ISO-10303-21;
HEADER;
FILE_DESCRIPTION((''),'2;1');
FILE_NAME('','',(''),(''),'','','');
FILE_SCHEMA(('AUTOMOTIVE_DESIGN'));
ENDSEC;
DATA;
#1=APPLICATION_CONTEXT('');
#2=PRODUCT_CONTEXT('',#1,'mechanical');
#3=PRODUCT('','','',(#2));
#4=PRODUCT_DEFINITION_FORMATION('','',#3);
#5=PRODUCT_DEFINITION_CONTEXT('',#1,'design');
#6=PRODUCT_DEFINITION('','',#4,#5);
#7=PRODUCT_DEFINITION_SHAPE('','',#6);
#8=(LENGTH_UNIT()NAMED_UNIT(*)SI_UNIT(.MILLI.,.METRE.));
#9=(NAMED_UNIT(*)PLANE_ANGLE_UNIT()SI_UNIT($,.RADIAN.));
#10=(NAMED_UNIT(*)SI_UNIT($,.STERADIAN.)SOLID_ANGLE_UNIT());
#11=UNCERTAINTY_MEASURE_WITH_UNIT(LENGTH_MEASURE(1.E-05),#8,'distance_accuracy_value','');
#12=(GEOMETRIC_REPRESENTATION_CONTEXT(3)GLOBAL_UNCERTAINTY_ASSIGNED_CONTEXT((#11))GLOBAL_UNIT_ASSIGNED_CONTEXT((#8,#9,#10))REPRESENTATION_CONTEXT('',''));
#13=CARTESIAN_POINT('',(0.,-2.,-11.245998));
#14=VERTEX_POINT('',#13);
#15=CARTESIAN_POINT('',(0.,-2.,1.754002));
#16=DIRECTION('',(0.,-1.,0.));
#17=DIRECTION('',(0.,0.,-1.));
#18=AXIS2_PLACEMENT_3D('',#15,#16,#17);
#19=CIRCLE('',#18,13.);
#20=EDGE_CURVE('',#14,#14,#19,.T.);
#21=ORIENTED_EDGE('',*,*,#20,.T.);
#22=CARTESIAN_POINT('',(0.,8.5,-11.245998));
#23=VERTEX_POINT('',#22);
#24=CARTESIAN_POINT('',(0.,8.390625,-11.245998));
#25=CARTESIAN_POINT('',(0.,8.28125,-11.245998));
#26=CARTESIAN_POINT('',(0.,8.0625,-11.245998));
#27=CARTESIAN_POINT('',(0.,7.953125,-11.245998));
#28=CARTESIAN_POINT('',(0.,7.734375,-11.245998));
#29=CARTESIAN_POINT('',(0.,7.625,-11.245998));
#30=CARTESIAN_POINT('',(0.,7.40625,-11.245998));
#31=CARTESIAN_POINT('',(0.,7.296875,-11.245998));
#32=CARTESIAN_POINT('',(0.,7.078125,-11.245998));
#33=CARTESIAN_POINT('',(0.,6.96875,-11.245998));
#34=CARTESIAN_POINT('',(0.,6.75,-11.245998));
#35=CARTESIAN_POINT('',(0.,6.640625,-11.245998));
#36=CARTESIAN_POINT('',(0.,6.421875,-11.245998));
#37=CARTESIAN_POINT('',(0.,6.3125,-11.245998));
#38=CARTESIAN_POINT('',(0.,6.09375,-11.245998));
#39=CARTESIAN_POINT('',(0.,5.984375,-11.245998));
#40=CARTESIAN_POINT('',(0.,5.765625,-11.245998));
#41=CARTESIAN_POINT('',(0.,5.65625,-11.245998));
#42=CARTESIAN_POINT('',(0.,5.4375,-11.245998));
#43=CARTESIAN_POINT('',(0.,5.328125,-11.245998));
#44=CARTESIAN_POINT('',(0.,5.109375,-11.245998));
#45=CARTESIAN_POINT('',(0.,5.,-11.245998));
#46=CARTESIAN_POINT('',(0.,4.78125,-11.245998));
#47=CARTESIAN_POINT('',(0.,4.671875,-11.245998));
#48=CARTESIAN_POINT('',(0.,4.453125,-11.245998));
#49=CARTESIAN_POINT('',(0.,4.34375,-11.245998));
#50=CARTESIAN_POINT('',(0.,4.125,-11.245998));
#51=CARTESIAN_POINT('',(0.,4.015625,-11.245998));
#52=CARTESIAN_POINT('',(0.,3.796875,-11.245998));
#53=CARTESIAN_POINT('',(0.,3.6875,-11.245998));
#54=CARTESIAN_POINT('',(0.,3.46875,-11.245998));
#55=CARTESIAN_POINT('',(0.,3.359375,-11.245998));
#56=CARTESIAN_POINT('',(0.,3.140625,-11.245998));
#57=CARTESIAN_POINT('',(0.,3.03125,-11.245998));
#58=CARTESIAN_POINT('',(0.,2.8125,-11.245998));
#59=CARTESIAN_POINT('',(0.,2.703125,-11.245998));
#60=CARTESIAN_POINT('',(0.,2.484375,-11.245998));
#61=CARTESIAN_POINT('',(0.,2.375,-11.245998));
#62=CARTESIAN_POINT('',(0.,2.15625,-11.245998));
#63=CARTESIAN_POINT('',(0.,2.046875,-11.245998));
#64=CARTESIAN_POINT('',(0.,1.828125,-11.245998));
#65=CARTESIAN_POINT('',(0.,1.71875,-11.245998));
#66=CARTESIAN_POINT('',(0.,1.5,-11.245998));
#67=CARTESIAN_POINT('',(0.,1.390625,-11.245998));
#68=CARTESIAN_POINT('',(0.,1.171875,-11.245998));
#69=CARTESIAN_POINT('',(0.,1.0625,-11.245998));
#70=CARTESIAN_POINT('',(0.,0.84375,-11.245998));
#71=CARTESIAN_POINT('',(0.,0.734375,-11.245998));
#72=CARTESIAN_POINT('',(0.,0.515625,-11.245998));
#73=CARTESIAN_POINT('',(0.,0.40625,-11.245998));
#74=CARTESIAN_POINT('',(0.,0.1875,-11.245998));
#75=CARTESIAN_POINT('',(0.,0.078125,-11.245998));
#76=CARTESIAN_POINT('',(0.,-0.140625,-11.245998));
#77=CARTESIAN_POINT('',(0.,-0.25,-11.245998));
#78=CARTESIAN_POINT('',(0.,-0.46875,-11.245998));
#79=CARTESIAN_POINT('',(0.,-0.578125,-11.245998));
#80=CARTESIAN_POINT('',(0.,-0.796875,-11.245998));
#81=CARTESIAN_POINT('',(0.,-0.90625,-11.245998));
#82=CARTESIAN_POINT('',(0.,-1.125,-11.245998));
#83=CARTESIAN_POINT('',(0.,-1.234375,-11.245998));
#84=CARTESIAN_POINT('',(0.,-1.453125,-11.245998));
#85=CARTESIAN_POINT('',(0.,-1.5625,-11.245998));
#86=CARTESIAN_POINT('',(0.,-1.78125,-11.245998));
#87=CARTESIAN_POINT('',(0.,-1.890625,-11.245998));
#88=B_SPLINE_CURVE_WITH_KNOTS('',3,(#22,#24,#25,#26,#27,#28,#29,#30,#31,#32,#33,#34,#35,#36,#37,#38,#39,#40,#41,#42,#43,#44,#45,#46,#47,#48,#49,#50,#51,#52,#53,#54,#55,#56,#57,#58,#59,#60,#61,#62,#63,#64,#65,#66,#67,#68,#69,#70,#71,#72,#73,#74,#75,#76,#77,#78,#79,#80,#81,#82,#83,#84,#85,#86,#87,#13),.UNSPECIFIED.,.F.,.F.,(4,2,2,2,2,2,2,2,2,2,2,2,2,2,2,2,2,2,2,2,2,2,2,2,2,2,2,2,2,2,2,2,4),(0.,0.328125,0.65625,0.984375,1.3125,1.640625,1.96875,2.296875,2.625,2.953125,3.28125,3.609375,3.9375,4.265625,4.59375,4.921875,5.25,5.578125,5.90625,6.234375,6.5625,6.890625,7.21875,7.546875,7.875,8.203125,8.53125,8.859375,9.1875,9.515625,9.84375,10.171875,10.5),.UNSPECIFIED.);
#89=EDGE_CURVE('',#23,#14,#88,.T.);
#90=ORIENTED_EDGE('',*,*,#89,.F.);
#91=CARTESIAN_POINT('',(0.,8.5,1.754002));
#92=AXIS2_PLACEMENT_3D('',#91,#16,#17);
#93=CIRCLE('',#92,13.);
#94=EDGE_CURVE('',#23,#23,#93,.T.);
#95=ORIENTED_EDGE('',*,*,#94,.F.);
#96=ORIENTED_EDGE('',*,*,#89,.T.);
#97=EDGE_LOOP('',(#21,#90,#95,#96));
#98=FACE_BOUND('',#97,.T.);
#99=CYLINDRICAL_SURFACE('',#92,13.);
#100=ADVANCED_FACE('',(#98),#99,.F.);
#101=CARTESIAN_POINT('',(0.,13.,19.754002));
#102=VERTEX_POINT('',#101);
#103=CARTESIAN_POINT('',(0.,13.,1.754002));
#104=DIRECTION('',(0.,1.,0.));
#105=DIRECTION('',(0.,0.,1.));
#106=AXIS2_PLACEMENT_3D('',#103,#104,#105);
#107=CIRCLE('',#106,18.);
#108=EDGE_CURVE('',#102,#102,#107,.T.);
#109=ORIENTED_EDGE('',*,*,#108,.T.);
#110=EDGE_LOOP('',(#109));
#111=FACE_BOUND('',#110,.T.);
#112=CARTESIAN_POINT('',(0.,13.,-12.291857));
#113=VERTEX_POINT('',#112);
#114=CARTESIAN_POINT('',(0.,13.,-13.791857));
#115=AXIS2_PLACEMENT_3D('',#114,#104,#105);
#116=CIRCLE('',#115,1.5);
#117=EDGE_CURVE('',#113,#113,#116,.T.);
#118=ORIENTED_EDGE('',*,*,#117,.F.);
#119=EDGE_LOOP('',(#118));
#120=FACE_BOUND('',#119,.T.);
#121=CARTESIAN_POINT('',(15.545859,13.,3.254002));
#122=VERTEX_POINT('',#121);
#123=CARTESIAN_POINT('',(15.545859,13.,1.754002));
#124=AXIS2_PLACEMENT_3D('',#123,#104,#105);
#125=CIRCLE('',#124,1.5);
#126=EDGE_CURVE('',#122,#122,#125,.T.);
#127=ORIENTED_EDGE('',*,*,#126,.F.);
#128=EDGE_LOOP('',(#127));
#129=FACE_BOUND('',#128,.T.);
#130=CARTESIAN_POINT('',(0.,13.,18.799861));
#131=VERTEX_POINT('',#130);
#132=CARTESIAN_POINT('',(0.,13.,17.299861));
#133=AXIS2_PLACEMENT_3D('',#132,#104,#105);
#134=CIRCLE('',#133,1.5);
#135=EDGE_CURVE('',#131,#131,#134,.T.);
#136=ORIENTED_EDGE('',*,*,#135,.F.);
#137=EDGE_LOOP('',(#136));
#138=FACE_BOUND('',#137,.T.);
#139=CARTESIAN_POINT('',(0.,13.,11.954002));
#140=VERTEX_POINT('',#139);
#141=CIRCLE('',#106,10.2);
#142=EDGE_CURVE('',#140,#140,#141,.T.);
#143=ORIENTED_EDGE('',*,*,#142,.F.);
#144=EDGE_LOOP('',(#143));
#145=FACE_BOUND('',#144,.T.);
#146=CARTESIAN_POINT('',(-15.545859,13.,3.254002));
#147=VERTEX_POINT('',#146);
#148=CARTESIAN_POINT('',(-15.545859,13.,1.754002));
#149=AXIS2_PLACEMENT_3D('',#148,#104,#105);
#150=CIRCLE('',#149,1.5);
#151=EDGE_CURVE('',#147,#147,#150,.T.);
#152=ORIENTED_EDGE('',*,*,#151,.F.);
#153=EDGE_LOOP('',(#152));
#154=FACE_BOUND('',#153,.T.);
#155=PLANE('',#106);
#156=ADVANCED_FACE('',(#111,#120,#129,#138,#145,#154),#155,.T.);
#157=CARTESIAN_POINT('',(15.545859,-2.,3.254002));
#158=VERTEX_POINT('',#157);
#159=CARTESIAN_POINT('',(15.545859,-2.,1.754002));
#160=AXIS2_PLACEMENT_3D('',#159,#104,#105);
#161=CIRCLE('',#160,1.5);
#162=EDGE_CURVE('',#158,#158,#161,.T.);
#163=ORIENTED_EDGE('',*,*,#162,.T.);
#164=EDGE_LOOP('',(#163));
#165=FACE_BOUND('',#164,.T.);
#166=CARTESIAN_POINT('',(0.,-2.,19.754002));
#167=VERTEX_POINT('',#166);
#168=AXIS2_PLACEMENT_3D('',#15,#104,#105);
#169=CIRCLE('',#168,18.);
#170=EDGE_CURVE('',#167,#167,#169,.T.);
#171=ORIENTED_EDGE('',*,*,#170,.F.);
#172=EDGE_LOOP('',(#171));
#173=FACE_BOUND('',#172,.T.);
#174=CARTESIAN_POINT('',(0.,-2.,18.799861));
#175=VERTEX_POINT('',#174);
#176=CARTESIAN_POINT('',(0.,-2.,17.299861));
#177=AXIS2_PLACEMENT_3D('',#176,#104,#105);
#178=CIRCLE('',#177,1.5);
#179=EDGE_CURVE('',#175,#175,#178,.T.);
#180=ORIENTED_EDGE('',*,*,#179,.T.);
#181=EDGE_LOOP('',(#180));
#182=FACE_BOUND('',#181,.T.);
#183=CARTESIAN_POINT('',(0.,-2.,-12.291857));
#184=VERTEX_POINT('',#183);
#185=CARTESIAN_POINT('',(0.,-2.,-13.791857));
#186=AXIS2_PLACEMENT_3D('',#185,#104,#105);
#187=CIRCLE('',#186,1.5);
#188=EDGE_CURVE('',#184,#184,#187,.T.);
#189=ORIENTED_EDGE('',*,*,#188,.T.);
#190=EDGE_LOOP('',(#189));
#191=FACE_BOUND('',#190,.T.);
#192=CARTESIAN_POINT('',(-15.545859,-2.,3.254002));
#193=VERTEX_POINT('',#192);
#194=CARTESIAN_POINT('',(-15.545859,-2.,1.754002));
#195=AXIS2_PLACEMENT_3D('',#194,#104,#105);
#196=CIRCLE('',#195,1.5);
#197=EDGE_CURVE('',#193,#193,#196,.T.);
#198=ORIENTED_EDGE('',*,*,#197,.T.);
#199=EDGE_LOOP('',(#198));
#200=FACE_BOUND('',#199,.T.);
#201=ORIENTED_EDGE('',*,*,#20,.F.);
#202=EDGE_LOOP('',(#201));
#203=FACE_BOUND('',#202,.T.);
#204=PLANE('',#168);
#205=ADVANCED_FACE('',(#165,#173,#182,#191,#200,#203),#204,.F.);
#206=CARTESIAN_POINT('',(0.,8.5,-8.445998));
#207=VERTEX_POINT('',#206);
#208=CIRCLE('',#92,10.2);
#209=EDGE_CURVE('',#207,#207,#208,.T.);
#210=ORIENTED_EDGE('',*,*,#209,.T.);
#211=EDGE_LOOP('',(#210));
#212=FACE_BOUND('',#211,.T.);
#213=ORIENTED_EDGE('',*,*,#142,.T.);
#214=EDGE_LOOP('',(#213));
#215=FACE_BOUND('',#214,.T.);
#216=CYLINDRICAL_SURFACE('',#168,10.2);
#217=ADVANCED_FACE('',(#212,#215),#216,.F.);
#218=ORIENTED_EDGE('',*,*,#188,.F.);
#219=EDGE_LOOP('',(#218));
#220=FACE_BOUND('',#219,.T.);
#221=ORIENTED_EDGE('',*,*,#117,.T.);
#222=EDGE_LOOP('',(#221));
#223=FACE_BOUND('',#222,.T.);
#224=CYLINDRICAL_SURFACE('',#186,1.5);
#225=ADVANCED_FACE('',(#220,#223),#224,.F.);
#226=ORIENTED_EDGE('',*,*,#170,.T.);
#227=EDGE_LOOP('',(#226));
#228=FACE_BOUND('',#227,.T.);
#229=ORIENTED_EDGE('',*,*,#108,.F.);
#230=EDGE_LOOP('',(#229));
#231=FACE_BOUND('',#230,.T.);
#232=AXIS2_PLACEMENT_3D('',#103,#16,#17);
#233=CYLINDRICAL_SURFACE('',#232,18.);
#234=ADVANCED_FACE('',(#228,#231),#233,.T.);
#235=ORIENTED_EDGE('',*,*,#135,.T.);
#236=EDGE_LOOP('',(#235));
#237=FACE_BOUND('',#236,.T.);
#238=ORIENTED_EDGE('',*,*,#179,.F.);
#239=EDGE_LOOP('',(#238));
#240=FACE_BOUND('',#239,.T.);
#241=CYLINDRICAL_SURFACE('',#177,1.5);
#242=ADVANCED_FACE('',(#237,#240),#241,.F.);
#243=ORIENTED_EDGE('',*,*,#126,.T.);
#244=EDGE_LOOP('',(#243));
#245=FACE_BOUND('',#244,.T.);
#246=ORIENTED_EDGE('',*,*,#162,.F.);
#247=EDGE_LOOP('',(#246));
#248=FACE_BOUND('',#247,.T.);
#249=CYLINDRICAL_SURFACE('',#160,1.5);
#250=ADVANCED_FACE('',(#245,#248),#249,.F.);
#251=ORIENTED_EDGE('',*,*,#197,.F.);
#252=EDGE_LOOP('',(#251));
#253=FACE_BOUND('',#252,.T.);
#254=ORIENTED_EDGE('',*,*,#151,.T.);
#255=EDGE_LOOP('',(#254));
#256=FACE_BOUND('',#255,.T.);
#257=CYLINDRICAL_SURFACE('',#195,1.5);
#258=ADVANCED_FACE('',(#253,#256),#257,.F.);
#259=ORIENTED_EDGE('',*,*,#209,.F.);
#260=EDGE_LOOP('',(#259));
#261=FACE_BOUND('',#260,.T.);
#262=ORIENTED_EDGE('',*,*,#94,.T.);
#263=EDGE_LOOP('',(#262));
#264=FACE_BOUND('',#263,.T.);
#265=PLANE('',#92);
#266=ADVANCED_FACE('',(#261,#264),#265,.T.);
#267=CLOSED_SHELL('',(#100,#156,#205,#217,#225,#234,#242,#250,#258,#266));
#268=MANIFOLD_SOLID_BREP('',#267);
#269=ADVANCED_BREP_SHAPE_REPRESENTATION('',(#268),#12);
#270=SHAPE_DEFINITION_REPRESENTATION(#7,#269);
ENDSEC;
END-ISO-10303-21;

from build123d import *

# Parameters (mm, degrees)
EXTRUDE_START         = -2
SKETCH_1_R            = 18
EXTRUDE_1_DEPTH       = 15
SKETCH_2_R            = 13.000000001
CUT_EXTRUDE_1_DEPTH   = 10.5
SKETCH_3_R            = 10.200000005
CUT_EXTRUDE_2_DEPTH   = 31.64670615
SKETCH_4_R            = 1.5
CUT_EXTRUDE_2_2_DEPTH = 31.64670615


with BuildPart() as part:
    # Эскиз1 → Вытянуть1 (new body)
    with BuildSketch(Plane(origin=(0, 0, 0), x_dir=(1, 0, 0), z_dir=(0, 1, 0)).offset(EXTRUDE_START)):
        with Locations(Location((0, -1.754002071, 0), (0, 0, 270))):
            Circle(SKETCH_1_R)
    extrude(amount=EXTRUDE_1_DEPTH)

    # Эскиз2 → Вырез-Вытянуть1 (cut)
    with BuildSketch(Plane.XZ.offset(2)):
        with Locations(Location((3.8e-08, 1.754001981, 0), (0, 0, 270))):
            Circle(SKETCH_2_R)
    extrude(amount=-CUT_EXTRUDE_1_DEPTH, mode=Mode.SUBTRACT)

    # Эскиз3 → Cut-Extrude 2 (cut, through all)
    with BuildSketch(Plane(origin=(0, 13, 0), x_dir=(1, 0, 0), z_dir=(0, 1, 0))):
        with Locations(Location((3.8e-08, -1.754001981, 0), (0, 0, 270))):
            Circle(SKETCH_3_R)
    extrude(amount=-CUT_EXTRUDE_2_DEPTH, mode=Mode.SUBTRACT)

    # Эскиз4 → Cut-Extrude 2 2 (cut, through all)
    with BuildSketch(Plane(origin=(0, 13, 0), x_dir=(1, 0, 0), z_dir=(0, 1, 0))):
        with Locations(Location((0, 13.791856832, 0), (0, 0, 270))):
            Circle(SKETCH_4_R)
        with Locations(Location((15.545858903, -1.754002071, 0), (0, 0, 270))):
            Circle(SKETCH_4_R)
        with Locations(Location((0, -17.299860974, 0), (0, 0, 270))):
            Circle(SKETCH_4_R)
        with Locations(Location((-15.545858903, -1.754002071, 0), (0, 0, 270))):
            Circle(SKETCH_4_R)
    extrude(amount=-CUT_EXTRUDE_2_2_DEPTH, mode=Mode.SUBTRACT)


solid = part.part
